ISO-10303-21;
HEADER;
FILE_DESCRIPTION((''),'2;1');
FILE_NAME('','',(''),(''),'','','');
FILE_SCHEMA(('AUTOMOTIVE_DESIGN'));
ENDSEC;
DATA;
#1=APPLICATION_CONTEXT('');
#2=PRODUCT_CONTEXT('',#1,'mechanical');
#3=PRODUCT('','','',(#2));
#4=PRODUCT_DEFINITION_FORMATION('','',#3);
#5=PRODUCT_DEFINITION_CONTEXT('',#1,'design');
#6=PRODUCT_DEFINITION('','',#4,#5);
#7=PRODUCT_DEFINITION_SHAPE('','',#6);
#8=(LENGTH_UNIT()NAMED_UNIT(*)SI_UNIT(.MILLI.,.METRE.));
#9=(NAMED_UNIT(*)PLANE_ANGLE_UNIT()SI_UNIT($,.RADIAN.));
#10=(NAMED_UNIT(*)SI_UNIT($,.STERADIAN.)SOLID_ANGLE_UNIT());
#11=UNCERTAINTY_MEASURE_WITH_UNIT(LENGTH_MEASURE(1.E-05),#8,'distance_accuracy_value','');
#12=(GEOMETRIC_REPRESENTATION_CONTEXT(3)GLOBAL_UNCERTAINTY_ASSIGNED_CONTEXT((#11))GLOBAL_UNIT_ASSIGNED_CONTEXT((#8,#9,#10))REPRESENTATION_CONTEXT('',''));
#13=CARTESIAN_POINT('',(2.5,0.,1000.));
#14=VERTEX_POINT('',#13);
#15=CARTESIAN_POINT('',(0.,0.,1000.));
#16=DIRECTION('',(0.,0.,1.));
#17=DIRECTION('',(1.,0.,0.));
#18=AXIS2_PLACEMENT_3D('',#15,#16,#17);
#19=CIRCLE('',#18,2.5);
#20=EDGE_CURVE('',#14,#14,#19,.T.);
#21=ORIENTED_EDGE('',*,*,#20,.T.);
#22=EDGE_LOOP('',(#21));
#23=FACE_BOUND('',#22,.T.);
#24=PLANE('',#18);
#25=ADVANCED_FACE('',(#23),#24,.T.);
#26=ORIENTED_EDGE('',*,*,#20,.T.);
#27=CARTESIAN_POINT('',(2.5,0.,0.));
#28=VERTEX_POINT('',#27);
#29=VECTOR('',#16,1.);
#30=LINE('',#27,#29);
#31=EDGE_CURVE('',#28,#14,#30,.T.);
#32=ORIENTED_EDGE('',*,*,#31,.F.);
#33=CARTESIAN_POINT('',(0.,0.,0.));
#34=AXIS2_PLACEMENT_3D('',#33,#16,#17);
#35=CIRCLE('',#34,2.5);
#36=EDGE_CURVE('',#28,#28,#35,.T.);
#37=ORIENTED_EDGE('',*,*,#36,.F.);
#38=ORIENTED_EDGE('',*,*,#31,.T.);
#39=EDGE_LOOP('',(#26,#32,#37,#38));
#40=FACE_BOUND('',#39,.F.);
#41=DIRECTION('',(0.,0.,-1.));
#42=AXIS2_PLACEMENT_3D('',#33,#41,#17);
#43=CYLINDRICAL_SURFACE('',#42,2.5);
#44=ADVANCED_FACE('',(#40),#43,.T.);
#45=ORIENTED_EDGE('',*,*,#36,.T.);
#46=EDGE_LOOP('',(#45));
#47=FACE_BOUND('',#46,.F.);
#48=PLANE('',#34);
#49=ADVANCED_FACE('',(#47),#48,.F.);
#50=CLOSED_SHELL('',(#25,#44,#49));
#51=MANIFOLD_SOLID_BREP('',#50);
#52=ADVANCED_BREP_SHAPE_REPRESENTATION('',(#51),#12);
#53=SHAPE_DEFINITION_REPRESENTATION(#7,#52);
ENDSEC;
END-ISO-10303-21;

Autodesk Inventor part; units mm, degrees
ref_plane "YZ Plane" through (0, 0, 0) normal (1, 0, 0) x (0, 1, 0)
ref_plane "XZ Plane" through (0, 0, 0) normal (0, 1, 0) x (-1, 0, 0)
ref_plane "XY Plane" through (0, 0, 0) normal (0, 0, 1) x (1, 0, 0)
sketch "Sketch1" plane through (0, 0, 0) normal (0, 0, 1) x (1, 0, 0)
  circle A0 centre (0, 0) radius 2.5
  dimension "diameter" = 5
extrude "Extrusion1" add sketch "Sketch1" along normal blind 1000
properties part number "Shaft-05"
